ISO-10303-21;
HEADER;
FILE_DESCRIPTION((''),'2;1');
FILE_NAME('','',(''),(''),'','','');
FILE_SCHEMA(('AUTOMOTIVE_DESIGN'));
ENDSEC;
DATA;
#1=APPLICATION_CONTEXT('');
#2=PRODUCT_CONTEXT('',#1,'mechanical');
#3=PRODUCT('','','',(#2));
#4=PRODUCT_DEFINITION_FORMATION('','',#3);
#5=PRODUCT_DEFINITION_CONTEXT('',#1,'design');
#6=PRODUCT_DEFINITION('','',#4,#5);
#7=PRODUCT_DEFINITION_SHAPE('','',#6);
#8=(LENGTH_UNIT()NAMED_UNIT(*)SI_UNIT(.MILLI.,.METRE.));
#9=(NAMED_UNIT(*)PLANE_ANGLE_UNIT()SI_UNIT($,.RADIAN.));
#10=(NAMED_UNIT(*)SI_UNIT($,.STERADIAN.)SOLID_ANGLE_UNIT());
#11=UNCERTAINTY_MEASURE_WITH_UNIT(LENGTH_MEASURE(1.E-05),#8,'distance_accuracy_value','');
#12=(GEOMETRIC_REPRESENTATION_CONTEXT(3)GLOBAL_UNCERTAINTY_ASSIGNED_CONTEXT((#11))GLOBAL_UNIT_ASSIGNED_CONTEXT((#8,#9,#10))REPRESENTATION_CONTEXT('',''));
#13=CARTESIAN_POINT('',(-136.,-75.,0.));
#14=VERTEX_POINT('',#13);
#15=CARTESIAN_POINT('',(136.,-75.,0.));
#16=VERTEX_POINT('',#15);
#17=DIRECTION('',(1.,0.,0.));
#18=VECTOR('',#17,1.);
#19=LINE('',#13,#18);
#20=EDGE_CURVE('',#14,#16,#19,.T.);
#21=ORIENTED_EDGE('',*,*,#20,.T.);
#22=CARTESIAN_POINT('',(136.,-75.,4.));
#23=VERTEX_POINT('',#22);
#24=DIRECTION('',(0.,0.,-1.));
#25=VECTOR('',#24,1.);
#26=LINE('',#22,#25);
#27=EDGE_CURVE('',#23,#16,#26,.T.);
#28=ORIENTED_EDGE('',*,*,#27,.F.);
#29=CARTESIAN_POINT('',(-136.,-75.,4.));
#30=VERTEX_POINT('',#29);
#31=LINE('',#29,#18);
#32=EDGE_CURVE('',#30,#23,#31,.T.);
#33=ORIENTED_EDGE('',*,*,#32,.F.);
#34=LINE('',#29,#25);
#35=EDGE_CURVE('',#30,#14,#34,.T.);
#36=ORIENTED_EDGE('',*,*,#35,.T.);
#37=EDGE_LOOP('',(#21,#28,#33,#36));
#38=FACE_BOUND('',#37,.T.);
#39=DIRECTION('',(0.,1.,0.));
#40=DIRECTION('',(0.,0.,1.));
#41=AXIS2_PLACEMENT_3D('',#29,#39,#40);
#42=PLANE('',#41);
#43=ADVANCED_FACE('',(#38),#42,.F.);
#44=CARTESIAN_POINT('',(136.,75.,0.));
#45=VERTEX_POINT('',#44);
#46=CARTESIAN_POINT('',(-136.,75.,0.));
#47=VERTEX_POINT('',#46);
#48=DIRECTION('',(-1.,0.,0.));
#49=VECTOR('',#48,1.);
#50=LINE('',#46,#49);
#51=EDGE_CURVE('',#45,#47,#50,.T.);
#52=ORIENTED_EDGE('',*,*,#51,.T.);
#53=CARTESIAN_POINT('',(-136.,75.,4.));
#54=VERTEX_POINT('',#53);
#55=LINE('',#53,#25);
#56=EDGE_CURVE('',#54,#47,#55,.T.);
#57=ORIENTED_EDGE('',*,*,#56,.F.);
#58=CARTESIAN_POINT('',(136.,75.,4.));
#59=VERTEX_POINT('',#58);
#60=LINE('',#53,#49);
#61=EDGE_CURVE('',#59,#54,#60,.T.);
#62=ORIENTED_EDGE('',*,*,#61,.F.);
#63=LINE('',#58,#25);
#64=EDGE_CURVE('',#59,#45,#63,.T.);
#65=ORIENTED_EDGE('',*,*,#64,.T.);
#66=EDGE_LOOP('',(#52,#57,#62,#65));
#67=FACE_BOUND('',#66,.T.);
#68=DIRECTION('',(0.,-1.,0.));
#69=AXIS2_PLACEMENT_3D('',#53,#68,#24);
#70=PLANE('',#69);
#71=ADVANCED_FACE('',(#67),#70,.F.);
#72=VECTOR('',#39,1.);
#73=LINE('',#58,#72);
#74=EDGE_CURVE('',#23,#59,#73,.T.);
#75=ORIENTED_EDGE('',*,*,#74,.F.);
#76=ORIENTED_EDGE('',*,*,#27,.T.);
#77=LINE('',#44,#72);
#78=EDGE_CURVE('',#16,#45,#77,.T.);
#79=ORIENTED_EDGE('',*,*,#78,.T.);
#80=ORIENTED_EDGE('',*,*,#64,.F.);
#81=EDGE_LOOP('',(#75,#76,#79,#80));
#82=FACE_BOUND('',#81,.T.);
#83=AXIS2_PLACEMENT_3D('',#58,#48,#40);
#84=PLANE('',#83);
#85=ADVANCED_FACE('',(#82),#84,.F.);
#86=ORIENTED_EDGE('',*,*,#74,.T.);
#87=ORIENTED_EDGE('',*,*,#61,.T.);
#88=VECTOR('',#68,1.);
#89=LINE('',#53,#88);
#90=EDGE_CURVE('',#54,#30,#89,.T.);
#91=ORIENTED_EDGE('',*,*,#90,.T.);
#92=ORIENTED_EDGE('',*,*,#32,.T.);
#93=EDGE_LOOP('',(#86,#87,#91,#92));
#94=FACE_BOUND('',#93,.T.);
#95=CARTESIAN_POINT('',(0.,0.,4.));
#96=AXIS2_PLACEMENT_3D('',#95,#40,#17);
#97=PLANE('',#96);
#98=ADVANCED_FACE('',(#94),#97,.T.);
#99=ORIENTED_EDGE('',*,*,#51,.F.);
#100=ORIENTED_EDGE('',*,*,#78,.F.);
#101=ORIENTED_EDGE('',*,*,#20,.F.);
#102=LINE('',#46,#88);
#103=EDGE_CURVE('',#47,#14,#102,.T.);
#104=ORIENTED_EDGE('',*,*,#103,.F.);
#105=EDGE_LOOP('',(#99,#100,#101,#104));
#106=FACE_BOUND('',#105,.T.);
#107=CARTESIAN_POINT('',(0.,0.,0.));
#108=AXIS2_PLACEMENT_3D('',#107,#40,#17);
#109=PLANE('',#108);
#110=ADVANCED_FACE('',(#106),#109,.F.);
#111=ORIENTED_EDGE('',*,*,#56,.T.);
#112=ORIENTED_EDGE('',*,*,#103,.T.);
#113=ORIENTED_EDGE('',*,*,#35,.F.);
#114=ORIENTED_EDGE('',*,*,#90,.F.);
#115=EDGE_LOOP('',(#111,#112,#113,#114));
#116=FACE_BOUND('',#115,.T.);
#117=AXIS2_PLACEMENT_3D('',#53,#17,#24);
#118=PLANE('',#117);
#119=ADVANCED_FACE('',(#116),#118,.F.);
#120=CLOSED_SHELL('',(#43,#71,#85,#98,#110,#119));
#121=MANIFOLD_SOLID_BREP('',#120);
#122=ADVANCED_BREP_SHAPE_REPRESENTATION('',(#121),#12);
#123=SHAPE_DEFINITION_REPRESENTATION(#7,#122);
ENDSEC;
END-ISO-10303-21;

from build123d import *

# Parameters (mm, degrees)
SKETCH_1_W      = 272
SKETCH_1_H      = 150
EXTRUDE_1_DEPTH = 4


with BuildPart() as part:
    # 草图1 → 凸台-拉伸1 (new body)
    with BuildSketch(Plane.XY):
        Rectangle(SKETCH_1_W, SKETCH_1_H)
    extrude(amount=EXTRUDE_1_DEPTH)


solid = part.part
